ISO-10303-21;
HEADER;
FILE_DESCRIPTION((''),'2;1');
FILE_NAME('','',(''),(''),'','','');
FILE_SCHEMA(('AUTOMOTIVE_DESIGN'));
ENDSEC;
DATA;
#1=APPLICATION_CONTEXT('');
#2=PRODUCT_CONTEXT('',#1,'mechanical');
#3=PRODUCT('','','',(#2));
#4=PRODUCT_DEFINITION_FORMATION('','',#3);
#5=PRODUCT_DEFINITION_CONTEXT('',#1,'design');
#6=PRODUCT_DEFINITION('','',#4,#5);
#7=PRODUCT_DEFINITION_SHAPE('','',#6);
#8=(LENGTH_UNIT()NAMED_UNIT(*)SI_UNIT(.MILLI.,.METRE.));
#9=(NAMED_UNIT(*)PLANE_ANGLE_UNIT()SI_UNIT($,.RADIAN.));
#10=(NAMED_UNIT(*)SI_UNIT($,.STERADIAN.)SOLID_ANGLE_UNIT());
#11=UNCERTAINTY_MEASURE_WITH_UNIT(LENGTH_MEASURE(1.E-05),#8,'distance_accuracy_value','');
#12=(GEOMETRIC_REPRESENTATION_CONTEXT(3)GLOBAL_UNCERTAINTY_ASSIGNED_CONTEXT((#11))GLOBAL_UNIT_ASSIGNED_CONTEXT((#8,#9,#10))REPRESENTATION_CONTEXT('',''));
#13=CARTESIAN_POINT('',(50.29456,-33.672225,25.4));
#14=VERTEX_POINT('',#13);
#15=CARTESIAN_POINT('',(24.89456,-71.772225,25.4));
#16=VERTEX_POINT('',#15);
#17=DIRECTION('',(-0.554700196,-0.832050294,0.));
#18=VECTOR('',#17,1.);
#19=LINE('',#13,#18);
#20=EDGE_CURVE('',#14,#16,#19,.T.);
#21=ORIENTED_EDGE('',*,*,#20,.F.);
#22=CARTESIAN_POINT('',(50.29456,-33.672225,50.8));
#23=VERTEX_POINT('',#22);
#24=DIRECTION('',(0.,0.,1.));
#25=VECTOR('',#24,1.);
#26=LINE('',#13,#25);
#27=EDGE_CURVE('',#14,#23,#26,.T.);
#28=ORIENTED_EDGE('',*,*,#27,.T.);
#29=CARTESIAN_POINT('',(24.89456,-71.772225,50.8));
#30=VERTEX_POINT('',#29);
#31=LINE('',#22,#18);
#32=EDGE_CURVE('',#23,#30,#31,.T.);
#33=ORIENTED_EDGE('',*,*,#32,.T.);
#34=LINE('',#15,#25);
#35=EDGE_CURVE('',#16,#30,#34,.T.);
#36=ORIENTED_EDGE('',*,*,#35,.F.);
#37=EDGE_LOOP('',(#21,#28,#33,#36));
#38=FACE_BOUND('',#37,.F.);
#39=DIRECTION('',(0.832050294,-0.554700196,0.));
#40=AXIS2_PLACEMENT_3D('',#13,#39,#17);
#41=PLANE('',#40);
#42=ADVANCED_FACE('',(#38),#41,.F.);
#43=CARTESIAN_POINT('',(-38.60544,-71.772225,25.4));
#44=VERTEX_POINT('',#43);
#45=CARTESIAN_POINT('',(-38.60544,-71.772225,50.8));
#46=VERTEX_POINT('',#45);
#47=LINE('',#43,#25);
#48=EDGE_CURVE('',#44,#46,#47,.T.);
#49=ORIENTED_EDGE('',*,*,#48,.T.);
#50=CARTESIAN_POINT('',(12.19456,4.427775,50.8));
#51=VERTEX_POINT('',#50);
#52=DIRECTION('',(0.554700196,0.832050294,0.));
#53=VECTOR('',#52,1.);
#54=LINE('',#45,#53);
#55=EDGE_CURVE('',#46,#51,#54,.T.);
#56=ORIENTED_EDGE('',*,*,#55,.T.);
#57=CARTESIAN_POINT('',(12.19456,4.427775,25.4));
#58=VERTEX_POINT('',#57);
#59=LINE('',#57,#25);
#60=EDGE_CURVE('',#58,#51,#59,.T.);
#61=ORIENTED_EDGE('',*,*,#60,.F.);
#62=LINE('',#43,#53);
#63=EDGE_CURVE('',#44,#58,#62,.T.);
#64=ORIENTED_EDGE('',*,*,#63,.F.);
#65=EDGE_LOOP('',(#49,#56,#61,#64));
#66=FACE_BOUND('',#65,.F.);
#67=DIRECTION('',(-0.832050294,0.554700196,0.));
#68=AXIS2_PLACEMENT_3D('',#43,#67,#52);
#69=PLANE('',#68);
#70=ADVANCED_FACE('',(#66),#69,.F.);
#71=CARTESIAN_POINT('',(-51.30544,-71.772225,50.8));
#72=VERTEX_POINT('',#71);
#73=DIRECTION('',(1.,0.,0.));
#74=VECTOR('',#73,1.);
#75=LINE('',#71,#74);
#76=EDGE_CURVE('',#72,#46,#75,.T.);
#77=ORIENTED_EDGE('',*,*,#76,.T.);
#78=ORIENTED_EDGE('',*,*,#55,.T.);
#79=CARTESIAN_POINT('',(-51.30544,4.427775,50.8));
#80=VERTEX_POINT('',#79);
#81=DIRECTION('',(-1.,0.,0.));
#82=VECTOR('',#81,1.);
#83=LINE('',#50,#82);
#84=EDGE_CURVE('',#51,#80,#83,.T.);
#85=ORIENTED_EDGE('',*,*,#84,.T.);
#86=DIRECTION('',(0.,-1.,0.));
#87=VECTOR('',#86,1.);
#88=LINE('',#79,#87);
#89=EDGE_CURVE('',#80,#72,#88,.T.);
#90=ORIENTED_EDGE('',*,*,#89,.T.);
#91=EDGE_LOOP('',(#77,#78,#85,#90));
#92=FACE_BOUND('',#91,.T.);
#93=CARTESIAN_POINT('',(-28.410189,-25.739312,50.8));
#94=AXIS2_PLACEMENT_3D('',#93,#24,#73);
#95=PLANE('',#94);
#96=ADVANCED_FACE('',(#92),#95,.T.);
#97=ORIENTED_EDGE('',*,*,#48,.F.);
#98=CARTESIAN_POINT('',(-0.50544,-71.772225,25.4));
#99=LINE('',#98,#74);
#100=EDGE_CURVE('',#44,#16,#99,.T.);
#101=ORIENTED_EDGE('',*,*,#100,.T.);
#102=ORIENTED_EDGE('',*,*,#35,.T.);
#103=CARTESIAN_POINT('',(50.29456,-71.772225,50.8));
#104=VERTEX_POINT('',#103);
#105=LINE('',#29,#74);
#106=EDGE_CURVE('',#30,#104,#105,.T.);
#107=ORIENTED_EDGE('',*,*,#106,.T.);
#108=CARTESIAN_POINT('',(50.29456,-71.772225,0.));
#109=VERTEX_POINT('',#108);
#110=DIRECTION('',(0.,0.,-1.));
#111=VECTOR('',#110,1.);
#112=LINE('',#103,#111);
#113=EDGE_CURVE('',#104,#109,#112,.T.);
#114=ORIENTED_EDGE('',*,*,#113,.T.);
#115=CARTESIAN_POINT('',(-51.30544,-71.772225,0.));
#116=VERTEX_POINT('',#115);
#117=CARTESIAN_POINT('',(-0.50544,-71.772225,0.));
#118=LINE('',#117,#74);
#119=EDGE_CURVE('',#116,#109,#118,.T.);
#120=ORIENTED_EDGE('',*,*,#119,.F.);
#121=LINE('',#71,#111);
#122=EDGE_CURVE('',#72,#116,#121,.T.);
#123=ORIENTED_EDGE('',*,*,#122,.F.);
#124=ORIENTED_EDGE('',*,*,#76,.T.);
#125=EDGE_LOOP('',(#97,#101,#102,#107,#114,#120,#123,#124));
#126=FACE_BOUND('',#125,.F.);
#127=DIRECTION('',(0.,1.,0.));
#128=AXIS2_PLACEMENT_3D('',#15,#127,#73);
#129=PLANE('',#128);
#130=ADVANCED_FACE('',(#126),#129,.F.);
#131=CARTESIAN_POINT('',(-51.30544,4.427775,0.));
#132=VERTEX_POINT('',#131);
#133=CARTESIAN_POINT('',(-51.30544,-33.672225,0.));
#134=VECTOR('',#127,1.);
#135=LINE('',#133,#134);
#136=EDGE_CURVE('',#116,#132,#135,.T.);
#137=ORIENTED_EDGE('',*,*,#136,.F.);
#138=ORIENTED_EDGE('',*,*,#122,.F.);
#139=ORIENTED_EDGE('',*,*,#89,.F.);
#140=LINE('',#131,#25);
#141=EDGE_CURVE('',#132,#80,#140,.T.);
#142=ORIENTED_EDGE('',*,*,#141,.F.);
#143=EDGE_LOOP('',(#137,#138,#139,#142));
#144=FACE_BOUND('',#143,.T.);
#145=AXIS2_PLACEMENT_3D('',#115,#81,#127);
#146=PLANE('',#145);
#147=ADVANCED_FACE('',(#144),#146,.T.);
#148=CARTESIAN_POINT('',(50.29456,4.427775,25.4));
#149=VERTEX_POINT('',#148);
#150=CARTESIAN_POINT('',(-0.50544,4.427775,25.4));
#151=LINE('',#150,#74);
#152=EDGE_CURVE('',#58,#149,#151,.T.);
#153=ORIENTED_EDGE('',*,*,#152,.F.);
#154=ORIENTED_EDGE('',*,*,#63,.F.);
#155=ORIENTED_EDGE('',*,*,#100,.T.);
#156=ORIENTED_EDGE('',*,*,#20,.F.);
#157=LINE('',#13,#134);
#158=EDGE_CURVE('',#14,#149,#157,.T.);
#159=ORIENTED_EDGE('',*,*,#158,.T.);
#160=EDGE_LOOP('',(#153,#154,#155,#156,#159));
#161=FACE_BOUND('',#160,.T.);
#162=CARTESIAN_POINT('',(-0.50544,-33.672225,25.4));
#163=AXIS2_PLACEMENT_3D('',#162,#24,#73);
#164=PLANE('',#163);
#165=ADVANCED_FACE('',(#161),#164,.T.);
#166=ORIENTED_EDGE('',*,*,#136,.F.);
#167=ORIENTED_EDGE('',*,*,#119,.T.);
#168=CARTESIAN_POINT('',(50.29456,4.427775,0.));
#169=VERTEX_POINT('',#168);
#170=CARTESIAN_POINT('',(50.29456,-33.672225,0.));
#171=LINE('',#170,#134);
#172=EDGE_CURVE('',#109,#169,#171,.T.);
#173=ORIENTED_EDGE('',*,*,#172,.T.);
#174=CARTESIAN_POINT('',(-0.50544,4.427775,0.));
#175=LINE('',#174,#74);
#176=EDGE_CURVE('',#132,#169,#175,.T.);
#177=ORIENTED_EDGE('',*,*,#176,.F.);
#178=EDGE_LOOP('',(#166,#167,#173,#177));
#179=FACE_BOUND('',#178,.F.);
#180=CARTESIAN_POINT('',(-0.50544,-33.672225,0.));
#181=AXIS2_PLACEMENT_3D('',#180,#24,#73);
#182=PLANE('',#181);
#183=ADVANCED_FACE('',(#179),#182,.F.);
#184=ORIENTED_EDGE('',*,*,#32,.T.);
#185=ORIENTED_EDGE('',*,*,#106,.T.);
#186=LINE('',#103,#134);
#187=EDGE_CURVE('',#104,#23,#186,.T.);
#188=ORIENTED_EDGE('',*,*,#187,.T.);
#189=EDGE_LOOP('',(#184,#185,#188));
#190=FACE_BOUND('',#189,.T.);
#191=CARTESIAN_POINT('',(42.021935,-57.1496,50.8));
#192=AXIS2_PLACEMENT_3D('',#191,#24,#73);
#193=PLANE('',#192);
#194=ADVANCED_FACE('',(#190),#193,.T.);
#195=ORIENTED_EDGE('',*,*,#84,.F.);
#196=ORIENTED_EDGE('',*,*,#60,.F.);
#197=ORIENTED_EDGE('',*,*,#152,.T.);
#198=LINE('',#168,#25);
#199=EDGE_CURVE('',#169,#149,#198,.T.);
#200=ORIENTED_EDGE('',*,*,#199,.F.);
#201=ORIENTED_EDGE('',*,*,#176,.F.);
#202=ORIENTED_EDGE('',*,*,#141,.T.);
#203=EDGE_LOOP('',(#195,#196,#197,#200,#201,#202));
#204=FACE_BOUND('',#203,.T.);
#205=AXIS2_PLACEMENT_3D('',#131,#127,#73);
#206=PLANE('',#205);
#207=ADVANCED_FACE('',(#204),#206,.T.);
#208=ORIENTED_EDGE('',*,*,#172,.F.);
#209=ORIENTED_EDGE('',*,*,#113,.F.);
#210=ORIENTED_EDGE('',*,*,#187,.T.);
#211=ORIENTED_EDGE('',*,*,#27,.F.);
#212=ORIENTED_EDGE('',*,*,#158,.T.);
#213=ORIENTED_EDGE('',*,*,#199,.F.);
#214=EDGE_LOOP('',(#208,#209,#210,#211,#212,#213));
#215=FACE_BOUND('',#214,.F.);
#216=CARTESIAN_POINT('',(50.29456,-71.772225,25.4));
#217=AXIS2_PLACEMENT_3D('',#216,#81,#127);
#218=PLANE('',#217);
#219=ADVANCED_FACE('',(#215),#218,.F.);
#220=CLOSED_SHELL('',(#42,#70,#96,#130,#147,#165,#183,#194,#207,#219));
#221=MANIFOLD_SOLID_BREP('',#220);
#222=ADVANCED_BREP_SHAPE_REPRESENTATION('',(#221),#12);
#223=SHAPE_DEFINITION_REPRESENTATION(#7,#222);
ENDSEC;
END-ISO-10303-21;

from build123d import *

# Parameters (mm, degrees)
F0_W     = 101.6
F0_H     = 76.2
F1_DEPTH = 25.4
F3_DEPTH = 25.4


with BuildPart() as f1:
    # F0 (on Top) → F1 (new body)
    with BuildSketch(Plane.XY):
        with Locations((-0.50544, -33.672225)):
            Rectangle(F0_W, F0_H)
    extrude(amount=F1_DEPTH)

    # F2 (on face) → F3 (join)
    with BuildSketch(Plane.XY.offset(25.4)):
        Polygon((50.29456, -33.672225), (24.89456, -71.772225), (50.29456, -71.772225), align=None)
        Polygon((-51.30544, 4.427775), (-51.30544, -71.772225), (-38.60544, -71.772225), (12.19456, 4.427775), align=None)
    extrude(amount=F3_DEPTH)


solid = f1.part
